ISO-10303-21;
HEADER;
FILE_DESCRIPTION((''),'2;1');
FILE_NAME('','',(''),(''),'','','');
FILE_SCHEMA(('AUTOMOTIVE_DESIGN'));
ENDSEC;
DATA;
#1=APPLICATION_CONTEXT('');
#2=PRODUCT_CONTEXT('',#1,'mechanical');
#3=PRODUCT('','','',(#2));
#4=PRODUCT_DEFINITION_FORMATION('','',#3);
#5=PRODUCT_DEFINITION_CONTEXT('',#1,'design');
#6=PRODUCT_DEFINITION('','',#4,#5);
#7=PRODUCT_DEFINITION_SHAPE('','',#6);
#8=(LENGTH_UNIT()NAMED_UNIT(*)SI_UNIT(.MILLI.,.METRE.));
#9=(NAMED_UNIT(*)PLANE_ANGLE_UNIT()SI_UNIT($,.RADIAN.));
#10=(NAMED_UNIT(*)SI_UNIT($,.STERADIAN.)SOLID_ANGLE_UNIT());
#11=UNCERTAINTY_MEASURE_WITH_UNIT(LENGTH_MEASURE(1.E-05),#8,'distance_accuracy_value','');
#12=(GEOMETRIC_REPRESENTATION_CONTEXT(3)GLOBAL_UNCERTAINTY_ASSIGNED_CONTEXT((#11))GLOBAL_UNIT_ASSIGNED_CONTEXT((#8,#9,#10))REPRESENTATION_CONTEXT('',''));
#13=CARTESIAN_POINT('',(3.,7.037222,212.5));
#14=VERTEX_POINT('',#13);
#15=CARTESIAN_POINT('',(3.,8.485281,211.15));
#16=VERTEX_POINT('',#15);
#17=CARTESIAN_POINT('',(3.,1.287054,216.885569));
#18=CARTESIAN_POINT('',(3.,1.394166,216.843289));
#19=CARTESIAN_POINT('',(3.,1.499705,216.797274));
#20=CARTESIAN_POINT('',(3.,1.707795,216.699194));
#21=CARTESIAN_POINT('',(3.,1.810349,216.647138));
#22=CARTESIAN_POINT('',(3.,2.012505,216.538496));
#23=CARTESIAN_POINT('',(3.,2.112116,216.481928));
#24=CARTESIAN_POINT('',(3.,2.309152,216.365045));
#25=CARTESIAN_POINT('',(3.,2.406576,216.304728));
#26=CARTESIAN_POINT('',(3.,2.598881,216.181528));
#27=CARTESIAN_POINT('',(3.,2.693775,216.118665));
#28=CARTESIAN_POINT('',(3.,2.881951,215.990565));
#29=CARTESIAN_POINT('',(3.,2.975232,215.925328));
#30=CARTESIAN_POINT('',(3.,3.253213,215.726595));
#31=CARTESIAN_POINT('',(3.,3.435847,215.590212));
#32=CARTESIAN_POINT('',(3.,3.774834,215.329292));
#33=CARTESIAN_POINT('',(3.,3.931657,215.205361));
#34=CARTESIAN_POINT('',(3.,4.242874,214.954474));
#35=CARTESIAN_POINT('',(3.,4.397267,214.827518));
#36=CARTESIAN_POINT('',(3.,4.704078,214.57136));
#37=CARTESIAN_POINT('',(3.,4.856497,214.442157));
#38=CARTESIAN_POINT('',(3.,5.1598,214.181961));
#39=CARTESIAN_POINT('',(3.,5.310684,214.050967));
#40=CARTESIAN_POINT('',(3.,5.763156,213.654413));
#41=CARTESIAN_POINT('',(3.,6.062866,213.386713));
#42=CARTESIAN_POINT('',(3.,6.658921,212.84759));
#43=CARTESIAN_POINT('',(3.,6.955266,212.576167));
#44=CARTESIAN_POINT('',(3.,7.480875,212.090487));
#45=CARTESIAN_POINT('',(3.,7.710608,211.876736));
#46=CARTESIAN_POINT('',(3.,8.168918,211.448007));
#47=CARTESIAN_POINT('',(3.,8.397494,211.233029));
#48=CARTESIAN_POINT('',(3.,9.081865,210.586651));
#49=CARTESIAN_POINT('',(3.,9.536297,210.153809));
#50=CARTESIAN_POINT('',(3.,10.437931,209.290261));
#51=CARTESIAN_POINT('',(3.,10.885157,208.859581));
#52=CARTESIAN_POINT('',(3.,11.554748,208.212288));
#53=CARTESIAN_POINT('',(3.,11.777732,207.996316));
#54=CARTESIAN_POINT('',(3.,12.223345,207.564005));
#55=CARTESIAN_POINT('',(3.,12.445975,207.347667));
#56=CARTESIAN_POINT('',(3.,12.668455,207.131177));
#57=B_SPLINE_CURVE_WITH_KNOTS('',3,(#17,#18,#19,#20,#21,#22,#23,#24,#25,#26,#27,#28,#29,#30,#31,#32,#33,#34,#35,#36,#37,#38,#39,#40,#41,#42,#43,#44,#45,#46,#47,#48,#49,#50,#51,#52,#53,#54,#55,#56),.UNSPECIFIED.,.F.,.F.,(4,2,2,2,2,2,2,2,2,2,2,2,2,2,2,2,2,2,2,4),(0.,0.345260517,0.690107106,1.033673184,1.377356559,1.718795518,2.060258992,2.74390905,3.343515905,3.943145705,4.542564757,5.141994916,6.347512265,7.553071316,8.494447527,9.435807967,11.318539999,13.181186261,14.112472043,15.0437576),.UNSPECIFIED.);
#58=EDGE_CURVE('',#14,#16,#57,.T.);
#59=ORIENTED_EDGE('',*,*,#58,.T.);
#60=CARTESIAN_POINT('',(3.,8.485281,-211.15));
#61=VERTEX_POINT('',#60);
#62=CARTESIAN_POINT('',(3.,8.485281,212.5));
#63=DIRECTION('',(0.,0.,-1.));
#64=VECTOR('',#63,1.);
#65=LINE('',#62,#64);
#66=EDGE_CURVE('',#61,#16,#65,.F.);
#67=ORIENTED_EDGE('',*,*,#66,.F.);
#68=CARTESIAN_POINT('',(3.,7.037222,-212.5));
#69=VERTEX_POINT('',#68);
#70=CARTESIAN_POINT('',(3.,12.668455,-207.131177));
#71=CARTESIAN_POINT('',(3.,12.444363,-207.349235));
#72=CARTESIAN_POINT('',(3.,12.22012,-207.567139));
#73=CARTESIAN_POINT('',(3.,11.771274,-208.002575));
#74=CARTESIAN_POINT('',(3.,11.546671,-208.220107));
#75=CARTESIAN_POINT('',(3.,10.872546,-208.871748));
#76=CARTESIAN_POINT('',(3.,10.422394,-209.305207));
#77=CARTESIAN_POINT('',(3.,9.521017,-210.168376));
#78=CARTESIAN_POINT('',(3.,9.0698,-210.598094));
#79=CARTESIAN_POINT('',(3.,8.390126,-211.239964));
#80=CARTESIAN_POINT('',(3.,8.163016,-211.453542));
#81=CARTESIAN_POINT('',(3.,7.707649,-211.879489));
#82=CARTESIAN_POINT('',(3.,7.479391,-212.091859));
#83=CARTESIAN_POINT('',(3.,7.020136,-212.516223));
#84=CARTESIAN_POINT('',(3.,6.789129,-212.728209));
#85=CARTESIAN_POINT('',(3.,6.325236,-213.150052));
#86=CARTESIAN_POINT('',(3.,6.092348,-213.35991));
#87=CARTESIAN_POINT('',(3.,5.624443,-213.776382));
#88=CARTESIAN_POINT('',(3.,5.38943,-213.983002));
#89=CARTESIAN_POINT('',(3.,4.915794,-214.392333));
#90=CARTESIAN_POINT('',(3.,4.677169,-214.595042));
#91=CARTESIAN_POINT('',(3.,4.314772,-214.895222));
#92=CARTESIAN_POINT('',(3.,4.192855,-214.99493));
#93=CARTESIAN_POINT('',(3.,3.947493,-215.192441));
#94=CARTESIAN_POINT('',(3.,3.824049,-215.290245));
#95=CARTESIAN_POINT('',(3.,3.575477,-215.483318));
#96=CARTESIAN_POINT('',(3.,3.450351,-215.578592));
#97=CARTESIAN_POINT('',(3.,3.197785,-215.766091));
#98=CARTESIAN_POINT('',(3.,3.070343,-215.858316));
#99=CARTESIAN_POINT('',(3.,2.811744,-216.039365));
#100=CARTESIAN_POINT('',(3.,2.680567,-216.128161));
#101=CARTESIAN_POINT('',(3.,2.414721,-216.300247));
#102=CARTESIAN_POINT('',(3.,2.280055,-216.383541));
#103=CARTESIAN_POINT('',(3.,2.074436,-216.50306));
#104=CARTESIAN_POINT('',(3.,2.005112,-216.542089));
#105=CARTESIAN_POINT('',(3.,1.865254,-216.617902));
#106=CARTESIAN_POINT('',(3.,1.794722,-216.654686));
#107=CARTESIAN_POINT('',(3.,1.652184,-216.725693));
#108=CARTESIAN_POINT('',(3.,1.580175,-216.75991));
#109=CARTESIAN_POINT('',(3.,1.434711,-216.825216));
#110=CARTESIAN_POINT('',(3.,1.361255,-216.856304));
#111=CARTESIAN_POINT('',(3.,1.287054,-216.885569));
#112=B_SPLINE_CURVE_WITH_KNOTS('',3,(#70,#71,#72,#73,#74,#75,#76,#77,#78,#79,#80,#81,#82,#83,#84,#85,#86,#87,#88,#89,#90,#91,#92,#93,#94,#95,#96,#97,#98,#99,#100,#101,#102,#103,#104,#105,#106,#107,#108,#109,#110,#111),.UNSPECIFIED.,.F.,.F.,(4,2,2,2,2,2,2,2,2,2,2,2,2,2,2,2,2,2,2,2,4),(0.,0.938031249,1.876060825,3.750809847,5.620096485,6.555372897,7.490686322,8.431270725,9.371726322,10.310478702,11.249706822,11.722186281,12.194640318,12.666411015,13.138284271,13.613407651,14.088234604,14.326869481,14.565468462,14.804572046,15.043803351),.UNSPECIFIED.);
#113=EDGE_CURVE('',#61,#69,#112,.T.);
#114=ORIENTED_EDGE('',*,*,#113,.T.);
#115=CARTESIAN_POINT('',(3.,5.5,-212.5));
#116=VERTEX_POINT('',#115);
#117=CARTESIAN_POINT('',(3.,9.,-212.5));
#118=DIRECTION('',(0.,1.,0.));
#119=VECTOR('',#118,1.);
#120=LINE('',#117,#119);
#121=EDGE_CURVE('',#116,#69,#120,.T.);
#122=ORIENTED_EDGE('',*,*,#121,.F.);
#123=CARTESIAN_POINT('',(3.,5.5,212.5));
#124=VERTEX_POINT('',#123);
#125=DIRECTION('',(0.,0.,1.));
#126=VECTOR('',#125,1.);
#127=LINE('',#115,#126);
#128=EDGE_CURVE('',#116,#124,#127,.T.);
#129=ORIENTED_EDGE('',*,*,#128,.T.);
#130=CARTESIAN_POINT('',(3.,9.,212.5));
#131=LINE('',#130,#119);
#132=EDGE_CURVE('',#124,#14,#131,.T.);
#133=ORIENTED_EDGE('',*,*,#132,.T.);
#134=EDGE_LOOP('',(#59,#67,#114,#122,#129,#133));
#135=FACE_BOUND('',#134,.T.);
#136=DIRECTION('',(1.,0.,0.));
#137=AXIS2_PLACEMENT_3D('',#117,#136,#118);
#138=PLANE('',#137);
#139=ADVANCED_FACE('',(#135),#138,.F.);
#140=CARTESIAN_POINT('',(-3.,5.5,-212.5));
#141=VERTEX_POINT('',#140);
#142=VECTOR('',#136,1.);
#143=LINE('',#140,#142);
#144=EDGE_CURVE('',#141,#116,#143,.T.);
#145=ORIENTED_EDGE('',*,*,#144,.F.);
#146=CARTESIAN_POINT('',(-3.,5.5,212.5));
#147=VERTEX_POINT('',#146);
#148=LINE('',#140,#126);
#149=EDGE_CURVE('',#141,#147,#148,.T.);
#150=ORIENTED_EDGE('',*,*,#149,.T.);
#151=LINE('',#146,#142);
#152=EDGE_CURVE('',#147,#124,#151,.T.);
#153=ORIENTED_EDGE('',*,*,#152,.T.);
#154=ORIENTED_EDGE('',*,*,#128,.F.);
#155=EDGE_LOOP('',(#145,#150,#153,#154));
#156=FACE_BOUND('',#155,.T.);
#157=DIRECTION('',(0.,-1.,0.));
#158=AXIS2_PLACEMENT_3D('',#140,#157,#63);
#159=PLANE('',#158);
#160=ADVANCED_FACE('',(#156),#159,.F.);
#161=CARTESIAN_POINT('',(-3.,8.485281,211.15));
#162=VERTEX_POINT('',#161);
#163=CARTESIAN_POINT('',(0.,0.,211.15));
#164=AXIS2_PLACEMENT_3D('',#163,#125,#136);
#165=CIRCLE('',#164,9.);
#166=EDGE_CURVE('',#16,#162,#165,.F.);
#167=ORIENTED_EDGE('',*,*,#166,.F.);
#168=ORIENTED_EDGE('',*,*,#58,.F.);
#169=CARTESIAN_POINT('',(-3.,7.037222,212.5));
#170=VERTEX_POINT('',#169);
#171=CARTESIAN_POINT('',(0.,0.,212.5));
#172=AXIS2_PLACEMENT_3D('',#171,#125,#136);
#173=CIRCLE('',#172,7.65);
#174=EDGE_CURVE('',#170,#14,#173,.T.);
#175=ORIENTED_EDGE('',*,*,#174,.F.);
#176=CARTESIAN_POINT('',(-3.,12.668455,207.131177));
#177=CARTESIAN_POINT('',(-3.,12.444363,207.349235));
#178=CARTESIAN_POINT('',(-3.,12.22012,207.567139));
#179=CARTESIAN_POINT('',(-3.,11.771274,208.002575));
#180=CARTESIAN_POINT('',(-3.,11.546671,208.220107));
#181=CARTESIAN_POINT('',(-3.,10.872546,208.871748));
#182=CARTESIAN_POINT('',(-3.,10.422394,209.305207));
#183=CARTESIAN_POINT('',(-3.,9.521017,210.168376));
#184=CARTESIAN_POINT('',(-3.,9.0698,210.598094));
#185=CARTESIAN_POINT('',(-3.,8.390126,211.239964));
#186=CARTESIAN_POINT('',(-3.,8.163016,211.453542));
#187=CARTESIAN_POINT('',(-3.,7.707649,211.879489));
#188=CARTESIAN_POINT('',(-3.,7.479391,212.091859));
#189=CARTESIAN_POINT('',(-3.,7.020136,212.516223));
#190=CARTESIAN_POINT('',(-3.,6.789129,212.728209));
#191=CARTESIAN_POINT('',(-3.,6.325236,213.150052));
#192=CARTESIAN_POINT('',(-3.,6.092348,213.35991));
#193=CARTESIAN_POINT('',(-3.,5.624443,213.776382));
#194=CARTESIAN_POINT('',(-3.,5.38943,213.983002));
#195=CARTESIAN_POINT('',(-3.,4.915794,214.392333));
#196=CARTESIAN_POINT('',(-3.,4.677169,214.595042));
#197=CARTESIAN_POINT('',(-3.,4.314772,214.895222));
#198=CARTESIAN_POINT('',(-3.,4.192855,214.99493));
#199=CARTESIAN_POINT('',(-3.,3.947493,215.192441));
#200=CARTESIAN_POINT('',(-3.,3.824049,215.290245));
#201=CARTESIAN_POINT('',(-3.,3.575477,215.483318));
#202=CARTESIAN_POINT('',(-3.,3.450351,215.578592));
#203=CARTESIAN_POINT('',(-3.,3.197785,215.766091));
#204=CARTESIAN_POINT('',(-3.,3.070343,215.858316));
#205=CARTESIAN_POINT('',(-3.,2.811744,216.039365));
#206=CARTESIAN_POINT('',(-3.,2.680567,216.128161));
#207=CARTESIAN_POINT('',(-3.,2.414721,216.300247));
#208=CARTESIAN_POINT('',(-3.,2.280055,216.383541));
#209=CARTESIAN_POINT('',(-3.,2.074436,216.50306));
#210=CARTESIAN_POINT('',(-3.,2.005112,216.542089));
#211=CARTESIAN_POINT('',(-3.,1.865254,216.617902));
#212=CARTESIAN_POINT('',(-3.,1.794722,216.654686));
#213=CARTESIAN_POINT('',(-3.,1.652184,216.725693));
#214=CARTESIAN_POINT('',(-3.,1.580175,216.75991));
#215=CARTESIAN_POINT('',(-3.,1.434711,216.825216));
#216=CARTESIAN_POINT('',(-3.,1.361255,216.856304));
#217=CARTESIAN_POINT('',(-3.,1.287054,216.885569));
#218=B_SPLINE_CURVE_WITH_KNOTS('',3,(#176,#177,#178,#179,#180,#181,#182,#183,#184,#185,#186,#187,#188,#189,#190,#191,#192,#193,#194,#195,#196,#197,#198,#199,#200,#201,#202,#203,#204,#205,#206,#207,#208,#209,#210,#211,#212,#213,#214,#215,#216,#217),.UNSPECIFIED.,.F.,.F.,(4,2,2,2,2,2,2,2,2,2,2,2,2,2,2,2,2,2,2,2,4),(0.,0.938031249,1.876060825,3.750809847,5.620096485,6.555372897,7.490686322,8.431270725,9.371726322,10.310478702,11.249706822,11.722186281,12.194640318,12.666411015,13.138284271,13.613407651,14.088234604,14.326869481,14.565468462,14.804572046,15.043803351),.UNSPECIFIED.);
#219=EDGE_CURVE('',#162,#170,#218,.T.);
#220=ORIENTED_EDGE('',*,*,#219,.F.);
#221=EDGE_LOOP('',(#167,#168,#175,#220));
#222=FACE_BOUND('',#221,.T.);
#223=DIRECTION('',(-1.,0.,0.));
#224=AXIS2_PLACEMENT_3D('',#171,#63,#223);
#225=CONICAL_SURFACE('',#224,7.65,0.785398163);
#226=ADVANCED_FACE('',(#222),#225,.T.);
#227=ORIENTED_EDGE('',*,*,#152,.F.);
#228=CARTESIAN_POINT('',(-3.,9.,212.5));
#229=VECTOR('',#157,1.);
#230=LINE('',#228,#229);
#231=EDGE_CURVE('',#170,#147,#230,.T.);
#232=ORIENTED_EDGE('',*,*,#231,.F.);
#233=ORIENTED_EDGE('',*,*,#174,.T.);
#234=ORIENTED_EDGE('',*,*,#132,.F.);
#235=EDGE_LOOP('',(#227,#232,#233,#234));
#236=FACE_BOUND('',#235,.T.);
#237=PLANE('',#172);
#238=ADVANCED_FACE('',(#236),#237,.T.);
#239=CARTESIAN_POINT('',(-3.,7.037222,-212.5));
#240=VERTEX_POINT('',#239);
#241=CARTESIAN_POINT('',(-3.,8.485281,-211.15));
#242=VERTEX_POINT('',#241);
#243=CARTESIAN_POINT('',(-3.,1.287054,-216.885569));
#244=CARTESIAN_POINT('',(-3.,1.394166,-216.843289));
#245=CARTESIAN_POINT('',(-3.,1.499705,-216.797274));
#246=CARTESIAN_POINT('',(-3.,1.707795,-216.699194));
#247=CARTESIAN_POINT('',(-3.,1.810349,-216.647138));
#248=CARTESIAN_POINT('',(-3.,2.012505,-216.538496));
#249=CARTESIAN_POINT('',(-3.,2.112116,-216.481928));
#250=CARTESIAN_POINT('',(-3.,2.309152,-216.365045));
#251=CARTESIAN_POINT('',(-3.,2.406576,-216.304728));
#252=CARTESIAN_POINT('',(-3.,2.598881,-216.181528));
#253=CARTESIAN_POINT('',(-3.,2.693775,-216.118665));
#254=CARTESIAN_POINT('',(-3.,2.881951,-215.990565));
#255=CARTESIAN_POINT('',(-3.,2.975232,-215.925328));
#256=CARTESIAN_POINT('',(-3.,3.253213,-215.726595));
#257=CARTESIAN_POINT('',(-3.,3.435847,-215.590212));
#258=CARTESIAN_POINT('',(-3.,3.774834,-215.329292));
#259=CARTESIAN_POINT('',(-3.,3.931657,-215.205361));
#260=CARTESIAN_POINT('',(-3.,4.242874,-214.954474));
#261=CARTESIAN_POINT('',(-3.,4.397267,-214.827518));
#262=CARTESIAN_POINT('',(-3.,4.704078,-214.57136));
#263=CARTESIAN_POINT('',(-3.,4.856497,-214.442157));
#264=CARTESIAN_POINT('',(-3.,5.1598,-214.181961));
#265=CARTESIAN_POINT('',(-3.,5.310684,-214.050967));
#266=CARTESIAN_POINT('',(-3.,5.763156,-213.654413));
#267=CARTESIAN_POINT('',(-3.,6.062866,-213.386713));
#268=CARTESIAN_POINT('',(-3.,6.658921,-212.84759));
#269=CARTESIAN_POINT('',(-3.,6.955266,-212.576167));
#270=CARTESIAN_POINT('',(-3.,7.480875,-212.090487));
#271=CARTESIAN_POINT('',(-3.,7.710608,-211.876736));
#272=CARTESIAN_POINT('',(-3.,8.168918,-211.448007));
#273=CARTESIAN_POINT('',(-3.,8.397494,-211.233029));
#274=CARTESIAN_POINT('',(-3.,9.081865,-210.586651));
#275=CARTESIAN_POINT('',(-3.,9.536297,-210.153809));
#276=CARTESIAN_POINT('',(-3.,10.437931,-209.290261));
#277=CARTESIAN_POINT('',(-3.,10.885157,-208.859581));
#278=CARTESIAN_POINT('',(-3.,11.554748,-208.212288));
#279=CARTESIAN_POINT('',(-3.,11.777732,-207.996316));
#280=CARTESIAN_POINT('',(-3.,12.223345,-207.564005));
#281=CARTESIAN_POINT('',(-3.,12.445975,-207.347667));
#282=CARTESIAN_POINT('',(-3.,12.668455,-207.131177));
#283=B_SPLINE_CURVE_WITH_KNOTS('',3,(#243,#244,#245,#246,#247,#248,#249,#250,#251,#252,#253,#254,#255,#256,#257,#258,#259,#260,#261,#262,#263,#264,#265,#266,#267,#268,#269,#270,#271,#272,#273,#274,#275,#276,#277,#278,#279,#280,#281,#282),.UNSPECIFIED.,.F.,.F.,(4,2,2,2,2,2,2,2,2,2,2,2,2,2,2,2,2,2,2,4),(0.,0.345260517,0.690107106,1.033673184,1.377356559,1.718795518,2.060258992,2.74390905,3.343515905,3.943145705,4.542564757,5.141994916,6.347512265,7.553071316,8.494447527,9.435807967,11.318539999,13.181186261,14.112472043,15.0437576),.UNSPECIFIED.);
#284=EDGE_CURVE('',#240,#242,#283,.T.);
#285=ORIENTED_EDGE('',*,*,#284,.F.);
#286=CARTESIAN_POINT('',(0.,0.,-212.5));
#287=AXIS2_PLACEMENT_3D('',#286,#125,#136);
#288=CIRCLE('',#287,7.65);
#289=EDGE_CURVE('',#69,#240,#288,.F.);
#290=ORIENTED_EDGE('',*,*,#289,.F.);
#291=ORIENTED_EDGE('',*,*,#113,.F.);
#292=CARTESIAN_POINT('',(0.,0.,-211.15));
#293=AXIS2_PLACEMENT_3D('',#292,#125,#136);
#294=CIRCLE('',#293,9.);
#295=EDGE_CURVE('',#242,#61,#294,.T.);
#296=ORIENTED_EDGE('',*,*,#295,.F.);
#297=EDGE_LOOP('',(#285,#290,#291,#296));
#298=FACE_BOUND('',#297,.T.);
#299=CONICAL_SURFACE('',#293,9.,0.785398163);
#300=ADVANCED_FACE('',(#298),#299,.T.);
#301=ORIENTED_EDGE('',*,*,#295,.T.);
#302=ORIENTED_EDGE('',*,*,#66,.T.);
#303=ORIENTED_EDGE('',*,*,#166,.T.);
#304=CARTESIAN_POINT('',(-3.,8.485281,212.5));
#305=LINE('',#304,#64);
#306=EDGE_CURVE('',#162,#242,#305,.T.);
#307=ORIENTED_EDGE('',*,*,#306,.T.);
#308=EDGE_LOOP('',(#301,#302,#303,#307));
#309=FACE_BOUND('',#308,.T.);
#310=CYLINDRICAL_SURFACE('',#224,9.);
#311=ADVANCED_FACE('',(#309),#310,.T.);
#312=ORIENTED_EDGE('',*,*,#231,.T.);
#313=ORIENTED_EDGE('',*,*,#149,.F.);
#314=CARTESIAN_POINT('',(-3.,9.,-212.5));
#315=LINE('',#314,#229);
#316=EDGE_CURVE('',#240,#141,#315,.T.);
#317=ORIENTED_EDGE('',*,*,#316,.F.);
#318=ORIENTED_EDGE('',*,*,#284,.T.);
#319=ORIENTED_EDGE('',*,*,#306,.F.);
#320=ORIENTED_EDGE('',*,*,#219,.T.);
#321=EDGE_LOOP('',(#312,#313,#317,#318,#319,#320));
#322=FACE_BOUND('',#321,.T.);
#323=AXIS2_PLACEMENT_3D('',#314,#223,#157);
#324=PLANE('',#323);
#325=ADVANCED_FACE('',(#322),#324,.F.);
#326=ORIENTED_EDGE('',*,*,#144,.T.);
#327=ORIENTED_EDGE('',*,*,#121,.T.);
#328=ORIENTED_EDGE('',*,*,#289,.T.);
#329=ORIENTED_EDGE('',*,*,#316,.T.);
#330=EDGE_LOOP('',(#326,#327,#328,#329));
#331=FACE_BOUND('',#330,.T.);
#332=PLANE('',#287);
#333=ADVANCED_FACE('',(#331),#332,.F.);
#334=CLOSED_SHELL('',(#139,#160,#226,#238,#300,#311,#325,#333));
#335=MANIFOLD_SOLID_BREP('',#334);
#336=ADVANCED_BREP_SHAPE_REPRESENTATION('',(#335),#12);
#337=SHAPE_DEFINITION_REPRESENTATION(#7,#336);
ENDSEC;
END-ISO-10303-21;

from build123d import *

# Parameters (mm, degrees)
SKETCH1_R           = 9
EXTRUDE1_DEPTH      = 212.5
CHAMFER1_SIZE       = 1.35
SKETCH3_W           = 6
SKETCH3_H           = 3.5
EXTRUDE2_DEPTH      = 213.5
EXTRUDE2_DEPTH_BACK = 213.5


with BuildPart() as part:
    # Sketch1 → Extrude1 (new body, symmetric)
    with BuildSketch(Plane.XY):
        Circle(SKETCH1_R)
    extrude(amount=EXTRUDE1_DEPTH, both=True)

    # Chamfer1
    chamfer1_edges = [part.edges().sort_by_distance(p)[0] for p in [
        (-9, 0, -212.5),
        (-9, 0, 212.5),
    ]]
    chamfer(chamfer1_edges, length=CHAMFER1_SIZE)

    # Sketch3 → Extrude2 (cut, two sides)
    with BuildSketch(Plane.XY) as extrude2_sk:
        with Locations((0, 7.25)):
            Rectangle(SKETCH3_W, SKETCH3_H)
    extrude(amount=EXTRUDE2_DEPTH, mode=Mode.SUBTRACT)
    extrude(extrude2_sk.sketch, amount=-EXTRUDE2_DEPTH_BACK, mode=Mode.SUBTRACT)


solid = part.part
